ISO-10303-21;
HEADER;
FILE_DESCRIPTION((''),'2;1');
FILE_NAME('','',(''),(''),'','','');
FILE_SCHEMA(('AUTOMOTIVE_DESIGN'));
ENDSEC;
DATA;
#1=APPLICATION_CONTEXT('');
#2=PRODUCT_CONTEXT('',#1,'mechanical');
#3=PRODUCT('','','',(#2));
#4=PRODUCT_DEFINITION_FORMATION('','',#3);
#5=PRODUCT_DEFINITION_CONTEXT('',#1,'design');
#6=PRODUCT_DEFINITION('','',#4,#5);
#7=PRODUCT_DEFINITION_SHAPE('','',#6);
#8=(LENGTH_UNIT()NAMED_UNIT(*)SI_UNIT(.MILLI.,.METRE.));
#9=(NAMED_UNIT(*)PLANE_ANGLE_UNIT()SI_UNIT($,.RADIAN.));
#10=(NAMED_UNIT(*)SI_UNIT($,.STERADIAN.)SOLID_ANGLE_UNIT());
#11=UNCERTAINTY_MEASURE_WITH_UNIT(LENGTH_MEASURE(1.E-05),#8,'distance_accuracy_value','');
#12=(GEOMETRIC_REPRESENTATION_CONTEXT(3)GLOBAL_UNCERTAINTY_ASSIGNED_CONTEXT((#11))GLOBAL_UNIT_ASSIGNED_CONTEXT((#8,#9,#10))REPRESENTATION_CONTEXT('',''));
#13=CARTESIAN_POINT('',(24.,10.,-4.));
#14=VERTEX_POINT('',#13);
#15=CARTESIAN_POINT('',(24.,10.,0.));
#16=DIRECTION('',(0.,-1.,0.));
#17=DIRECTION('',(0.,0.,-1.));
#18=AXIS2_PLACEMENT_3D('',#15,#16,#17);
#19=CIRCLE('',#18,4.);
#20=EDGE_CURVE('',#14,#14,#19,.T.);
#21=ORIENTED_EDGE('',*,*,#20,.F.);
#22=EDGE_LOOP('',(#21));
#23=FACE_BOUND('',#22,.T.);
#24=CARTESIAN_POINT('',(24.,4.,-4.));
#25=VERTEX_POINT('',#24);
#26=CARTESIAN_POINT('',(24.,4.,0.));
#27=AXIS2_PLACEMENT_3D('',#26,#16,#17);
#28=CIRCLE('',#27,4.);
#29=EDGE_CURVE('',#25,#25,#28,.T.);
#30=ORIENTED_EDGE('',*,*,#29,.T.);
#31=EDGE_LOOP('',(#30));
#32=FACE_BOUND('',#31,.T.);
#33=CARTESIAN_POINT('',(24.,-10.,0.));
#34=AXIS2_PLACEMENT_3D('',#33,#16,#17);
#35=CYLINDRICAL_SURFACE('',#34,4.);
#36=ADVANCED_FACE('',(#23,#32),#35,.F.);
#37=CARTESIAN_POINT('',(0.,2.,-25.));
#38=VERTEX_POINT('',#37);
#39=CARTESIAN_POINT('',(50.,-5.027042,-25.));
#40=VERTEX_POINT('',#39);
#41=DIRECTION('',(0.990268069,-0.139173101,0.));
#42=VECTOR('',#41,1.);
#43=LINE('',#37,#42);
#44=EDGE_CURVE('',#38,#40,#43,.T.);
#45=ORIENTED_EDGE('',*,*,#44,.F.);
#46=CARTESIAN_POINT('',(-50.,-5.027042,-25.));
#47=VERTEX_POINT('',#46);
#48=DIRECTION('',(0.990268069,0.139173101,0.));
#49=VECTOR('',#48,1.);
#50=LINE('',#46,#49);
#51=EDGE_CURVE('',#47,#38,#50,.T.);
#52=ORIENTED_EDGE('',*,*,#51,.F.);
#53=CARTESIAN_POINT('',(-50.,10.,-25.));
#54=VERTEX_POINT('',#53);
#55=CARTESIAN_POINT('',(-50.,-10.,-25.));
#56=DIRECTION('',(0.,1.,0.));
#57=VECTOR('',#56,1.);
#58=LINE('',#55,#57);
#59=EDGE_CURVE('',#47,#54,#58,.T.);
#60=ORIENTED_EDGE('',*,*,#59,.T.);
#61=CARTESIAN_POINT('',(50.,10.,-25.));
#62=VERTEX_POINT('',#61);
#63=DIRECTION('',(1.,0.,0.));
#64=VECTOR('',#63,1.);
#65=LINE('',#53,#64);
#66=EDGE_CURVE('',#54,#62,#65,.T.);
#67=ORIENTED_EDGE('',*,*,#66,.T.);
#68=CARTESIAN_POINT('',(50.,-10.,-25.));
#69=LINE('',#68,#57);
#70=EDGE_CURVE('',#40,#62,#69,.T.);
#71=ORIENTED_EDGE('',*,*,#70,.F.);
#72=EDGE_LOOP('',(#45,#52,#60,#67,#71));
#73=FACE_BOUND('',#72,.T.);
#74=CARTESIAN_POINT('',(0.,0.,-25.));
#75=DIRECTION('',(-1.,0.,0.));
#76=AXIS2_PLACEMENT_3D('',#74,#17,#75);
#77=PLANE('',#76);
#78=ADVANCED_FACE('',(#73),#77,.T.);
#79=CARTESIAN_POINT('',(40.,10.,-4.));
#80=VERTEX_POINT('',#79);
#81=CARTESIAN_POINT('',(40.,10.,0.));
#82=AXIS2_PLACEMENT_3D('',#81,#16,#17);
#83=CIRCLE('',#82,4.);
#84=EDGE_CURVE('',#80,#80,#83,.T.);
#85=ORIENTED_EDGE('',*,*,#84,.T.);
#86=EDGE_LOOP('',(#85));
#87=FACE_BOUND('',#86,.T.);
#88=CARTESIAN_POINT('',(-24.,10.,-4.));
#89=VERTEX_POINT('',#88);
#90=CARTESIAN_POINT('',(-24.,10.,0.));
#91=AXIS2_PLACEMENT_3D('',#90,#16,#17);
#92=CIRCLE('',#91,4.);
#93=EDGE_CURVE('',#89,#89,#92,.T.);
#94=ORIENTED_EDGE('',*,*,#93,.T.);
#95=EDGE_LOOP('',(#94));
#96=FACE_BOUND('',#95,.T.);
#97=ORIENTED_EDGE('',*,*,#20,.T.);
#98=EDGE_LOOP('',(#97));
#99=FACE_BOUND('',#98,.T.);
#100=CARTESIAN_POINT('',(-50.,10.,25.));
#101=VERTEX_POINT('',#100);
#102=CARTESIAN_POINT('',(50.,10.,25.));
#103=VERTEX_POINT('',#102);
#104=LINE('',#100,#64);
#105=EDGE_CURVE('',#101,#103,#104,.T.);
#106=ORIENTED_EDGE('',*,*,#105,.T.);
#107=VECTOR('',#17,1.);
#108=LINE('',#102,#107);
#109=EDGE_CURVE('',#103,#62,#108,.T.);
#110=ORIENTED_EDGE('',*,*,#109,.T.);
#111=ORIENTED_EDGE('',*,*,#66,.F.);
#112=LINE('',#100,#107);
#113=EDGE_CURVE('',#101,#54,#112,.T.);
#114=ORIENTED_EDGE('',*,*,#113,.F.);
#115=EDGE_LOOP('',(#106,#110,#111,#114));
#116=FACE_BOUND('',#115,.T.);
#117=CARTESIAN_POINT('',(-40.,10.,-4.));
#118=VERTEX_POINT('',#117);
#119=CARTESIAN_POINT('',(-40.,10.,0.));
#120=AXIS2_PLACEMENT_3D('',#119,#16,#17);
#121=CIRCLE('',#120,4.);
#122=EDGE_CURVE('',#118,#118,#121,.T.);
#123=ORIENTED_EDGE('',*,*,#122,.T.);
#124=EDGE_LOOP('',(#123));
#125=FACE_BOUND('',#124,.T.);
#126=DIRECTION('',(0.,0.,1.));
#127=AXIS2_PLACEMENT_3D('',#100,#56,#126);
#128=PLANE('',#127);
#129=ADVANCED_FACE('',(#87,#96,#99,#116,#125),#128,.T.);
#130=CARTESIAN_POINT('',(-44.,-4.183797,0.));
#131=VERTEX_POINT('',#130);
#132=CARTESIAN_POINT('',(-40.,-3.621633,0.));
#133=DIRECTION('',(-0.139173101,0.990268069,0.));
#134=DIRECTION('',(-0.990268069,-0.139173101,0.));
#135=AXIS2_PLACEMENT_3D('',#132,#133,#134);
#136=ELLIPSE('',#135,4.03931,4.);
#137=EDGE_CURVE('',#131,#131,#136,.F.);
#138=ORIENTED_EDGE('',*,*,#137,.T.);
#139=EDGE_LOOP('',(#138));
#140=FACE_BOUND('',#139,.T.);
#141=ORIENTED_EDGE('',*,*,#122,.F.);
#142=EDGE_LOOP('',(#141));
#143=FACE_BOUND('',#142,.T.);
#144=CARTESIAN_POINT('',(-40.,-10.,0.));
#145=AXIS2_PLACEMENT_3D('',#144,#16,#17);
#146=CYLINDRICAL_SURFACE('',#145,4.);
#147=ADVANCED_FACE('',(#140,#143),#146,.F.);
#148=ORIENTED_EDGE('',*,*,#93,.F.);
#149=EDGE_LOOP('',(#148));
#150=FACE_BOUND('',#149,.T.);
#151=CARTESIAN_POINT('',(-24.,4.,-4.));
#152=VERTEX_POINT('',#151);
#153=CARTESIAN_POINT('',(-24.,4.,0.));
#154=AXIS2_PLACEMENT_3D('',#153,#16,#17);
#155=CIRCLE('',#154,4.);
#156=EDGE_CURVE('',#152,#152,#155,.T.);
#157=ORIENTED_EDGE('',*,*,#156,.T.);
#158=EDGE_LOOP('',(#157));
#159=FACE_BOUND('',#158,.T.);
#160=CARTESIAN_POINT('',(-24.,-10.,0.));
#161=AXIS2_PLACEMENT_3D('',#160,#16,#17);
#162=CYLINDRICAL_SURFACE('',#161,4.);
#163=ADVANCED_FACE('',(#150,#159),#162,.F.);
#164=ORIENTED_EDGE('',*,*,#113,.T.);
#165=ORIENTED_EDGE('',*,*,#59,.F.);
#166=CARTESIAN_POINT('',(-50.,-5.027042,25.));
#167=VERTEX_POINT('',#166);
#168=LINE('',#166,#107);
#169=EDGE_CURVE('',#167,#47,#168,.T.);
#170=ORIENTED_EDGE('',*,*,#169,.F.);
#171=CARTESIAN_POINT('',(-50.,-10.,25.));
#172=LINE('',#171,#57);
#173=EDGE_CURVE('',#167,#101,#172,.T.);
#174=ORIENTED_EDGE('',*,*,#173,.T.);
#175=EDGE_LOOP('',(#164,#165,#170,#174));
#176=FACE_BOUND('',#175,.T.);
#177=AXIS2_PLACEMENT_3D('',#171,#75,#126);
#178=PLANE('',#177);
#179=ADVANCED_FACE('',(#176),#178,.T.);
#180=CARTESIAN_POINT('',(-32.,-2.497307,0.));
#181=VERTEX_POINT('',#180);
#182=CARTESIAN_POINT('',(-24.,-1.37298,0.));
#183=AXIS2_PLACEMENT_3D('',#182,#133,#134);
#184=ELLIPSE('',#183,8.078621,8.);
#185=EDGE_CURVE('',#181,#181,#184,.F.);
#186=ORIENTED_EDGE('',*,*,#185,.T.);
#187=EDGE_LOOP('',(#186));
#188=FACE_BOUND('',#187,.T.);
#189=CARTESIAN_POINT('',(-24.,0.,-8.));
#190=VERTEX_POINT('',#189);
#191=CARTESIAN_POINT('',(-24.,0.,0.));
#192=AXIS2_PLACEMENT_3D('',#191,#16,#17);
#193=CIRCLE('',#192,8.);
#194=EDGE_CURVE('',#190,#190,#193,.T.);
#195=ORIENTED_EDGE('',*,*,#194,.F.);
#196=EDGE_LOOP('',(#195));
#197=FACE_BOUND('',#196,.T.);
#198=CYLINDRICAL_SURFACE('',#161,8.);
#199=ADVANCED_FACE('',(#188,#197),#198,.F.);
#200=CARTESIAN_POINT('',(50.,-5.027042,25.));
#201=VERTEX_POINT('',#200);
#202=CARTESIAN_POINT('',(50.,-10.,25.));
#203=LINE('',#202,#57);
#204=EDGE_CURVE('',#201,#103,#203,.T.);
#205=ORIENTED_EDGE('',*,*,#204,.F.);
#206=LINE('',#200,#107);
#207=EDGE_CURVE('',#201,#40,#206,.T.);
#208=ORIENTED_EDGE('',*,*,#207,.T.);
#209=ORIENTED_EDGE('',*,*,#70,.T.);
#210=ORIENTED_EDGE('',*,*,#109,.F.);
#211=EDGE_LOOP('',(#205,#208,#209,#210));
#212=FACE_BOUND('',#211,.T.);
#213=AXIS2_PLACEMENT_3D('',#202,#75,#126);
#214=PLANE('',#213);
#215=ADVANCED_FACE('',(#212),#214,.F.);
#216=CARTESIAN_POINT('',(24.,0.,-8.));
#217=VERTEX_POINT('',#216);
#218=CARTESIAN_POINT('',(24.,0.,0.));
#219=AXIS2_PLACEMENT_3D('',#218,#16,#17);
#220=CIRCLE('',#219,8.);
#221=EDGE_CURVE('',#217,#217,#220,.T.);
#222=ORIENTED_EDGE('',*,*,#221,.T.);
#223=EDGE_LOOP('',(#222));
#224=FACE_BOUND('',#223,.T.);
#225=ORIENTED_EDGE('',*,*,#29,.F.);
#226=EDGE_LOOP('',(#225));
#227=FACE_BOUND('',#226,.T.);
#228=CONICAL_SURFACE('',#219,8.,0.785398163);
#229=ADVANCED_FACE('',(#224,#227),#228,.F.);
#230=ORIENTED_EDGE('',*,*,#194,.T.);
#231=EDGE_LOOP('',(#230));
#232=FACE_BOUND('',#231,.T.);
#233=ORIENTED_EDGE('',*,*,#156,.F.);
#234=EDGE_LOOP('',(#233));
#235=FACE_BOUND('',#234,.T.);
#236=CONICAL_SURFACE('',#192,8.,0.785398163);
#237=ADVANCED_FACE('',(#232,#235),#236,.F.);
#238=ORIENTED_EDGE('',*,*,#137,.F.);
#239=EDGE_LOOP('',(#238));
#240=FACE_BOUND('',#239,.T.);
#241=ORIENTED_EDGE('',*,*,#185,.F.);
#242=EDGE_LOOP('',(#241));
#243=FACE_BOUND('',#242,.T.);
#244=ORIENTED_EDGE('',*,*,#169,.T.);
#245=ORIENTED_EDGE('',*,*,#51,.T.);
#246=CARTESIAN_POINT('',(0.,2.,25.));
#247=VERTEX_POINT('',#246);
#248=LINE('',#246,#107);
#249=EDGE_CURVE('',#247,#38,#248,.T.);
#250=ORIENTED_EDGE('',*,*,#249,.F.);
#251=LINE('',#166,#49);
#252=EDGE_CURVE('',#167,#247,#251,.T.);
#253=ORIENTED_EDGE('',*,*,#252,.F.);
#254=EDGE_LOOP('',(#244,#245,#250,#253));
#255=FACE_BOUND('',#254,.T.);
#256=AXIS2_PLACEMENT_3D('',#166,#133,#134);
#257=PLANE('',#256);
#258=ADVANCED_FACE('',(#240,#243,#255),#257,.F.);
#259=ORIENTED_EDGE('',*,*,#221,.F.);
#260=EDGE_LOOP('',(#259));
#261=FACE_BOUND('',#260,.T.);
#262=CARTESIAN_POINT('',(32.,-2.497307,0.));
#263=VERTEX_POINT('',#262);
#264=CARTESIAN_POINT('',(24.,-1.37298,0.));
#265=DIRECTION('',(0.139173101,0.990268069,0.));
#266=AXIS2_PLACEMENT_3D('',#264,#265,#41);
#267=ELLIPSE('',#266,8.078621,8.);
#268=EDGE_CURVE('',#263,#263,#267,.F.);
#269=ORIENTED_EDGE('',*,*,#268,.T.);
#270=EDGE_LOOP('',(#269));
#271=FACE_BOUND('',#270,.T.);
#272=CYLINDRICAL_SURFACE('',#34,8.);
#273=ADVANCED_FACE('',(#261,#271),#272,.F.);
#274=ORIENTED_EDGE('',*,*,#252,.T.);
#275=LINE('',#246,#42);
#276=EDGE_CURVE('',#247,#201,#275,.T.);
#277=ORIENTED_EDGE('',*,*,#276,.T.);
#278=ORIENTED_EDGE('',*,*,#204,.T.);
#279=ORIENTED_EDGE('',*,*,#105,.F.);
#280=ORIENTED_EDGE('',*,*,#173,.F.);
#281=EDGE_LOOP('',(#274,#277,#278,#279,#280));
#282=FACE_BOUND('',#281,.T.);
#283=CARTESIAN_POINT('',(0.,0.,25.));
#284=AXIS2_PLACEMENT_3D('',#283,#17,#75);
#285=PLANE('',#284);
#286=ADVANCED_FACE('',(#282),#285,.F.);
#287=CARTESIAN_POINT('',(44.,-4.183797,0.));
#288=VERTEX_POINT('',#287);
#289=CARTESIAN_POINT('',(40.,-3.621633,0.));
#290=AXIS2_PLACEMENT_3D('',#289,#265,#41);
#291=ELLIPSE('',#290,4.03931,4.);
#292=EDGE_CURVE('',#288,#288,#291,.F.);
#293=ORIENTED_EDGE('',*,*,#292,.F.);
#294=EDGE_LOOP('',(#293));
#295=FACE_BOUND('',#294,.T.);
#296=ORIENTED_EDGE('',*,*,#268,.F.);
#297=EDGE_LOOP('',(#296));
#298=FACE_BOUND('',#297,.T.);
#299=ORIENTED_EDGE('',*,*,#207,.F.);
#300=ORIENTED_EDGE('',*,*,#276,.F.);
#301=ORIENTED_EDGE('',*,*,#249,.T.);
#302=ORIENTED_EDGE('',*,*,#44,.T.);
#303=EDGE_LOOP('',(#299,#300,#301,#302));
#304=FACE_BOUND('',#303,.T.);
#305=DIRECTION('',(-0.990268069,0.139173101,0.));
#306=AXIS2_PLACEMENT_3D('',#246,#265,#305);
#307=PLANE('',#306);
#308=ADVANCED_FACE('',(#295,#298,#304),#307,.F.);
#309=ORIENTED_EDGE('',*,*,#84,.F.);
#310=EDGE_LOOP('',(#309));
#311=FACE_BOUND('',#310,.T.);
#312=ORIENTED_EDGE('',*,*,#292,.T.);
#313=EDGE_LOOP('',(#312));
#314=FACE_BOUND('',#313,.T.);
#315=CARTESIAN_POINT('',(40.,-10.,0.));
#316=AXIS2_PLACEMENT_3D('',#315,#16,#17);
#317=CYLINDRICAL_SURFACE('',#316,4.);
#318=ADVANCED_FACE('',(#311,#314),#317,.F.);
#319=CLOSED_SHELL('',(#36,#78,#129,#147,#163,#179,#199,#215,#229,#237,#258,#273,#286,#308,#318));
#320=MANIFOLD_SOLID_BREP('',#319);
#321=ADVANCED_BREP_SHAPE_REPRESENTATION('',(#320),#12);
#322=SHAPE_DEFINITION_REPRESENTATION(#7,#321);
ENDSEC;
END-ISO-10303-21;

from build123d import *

# Parameters (mm, degrees)
ESQUISSE1_W                                 = 100
ESQUISSE1_H                                 = 20
BOSS_EXTRU_1_DEPTH                          = 25
FRAISAGE_POUR_VIS_T_TE_FRAIS_E_M81_AT_COUNT = 2
FRAISAGE_POUR_VIS_T_TE_FRAIS_E_M81_AT_PITCH = 48
DIAM_TRE_DU_PER_AGE_8_0_8_1_D               = 8
ENL_V_MAT_EXTRU_1_DEPTH                     = 51


with BuildPart() as part:
    # Esquisse1 → Boss.-Extru.1 (new body, symmetric)
    with BuildSketch(Plane.XY):
        Rectangle(ESQUISSE1_W, ESQUISSE1_H)
    extrude(amount=BOSS_EXTRU_1_DEPTH, both=True)

    # Esquisse13 → Fraisage pour vis à tête fraisée M81 (revolve, cut)
    with BuildSketch(Plane(origin=(-24, -10, 0), x_dir=(0, 0, -1), z_dir=(1, 0, 0))):
        Polygon((0, 0), (0, 20), (4, 20), (4, 14), (8, 10), (8, 0), align=None)
    fraisage_pour_vis_t_te_frais_e_m81 = revolve(axis=Axis((-24, -16.35, 0), (0, 1, 0)), mode=Mode.SUBTRACT)

    # Fraisage pour vis à tête fraisée M81 at: Fraisage pour vis à tête fraisée M81 ×2
    with Locations(*[(i * FRAISAGE_POUR_VIS_T_TE_FRAIS_E_M81_AT_PITCH, 0, 0) for i in range(1, FRAISAGE_POUR_VIS_T_TE_FRAIS_E_M81_AT_COUNT)]):
        add(fraisage_pour_vis_t_te_frais_e_m81, mode=Mode.SUBTRACT)

    # Diamètre du perçage Ø8.0 (8)1 (through all)
    with Locations(Plane(origin=(0, -10, 0), x_dir=(-1, 0, 0), z_dir=(0, -1, 0))):
        with Locations((-40, 0), (40, 0)):
            Hole(DIAM_TRE_DU_PER_AGE_8_0_8_1_D / 2)

    # Esquisse16 → Enlèv. mat.-Extru.1 (cut, through all)
    with BuildSketch(Plane(origin=(0, 0, -25), x_dir=(-1, 0, 0), z_dir=(0, 0, -1))):
        Polygon((0, 2), (-50, -5.027041735), (-50, -10), (50, -10), (50, -5.027041735), align=None)
    extrude(amount=-ENL_V_MAT_EXTRU_1_DEPTH, mode=Mode.SUBTRACT)


solid = part.part
